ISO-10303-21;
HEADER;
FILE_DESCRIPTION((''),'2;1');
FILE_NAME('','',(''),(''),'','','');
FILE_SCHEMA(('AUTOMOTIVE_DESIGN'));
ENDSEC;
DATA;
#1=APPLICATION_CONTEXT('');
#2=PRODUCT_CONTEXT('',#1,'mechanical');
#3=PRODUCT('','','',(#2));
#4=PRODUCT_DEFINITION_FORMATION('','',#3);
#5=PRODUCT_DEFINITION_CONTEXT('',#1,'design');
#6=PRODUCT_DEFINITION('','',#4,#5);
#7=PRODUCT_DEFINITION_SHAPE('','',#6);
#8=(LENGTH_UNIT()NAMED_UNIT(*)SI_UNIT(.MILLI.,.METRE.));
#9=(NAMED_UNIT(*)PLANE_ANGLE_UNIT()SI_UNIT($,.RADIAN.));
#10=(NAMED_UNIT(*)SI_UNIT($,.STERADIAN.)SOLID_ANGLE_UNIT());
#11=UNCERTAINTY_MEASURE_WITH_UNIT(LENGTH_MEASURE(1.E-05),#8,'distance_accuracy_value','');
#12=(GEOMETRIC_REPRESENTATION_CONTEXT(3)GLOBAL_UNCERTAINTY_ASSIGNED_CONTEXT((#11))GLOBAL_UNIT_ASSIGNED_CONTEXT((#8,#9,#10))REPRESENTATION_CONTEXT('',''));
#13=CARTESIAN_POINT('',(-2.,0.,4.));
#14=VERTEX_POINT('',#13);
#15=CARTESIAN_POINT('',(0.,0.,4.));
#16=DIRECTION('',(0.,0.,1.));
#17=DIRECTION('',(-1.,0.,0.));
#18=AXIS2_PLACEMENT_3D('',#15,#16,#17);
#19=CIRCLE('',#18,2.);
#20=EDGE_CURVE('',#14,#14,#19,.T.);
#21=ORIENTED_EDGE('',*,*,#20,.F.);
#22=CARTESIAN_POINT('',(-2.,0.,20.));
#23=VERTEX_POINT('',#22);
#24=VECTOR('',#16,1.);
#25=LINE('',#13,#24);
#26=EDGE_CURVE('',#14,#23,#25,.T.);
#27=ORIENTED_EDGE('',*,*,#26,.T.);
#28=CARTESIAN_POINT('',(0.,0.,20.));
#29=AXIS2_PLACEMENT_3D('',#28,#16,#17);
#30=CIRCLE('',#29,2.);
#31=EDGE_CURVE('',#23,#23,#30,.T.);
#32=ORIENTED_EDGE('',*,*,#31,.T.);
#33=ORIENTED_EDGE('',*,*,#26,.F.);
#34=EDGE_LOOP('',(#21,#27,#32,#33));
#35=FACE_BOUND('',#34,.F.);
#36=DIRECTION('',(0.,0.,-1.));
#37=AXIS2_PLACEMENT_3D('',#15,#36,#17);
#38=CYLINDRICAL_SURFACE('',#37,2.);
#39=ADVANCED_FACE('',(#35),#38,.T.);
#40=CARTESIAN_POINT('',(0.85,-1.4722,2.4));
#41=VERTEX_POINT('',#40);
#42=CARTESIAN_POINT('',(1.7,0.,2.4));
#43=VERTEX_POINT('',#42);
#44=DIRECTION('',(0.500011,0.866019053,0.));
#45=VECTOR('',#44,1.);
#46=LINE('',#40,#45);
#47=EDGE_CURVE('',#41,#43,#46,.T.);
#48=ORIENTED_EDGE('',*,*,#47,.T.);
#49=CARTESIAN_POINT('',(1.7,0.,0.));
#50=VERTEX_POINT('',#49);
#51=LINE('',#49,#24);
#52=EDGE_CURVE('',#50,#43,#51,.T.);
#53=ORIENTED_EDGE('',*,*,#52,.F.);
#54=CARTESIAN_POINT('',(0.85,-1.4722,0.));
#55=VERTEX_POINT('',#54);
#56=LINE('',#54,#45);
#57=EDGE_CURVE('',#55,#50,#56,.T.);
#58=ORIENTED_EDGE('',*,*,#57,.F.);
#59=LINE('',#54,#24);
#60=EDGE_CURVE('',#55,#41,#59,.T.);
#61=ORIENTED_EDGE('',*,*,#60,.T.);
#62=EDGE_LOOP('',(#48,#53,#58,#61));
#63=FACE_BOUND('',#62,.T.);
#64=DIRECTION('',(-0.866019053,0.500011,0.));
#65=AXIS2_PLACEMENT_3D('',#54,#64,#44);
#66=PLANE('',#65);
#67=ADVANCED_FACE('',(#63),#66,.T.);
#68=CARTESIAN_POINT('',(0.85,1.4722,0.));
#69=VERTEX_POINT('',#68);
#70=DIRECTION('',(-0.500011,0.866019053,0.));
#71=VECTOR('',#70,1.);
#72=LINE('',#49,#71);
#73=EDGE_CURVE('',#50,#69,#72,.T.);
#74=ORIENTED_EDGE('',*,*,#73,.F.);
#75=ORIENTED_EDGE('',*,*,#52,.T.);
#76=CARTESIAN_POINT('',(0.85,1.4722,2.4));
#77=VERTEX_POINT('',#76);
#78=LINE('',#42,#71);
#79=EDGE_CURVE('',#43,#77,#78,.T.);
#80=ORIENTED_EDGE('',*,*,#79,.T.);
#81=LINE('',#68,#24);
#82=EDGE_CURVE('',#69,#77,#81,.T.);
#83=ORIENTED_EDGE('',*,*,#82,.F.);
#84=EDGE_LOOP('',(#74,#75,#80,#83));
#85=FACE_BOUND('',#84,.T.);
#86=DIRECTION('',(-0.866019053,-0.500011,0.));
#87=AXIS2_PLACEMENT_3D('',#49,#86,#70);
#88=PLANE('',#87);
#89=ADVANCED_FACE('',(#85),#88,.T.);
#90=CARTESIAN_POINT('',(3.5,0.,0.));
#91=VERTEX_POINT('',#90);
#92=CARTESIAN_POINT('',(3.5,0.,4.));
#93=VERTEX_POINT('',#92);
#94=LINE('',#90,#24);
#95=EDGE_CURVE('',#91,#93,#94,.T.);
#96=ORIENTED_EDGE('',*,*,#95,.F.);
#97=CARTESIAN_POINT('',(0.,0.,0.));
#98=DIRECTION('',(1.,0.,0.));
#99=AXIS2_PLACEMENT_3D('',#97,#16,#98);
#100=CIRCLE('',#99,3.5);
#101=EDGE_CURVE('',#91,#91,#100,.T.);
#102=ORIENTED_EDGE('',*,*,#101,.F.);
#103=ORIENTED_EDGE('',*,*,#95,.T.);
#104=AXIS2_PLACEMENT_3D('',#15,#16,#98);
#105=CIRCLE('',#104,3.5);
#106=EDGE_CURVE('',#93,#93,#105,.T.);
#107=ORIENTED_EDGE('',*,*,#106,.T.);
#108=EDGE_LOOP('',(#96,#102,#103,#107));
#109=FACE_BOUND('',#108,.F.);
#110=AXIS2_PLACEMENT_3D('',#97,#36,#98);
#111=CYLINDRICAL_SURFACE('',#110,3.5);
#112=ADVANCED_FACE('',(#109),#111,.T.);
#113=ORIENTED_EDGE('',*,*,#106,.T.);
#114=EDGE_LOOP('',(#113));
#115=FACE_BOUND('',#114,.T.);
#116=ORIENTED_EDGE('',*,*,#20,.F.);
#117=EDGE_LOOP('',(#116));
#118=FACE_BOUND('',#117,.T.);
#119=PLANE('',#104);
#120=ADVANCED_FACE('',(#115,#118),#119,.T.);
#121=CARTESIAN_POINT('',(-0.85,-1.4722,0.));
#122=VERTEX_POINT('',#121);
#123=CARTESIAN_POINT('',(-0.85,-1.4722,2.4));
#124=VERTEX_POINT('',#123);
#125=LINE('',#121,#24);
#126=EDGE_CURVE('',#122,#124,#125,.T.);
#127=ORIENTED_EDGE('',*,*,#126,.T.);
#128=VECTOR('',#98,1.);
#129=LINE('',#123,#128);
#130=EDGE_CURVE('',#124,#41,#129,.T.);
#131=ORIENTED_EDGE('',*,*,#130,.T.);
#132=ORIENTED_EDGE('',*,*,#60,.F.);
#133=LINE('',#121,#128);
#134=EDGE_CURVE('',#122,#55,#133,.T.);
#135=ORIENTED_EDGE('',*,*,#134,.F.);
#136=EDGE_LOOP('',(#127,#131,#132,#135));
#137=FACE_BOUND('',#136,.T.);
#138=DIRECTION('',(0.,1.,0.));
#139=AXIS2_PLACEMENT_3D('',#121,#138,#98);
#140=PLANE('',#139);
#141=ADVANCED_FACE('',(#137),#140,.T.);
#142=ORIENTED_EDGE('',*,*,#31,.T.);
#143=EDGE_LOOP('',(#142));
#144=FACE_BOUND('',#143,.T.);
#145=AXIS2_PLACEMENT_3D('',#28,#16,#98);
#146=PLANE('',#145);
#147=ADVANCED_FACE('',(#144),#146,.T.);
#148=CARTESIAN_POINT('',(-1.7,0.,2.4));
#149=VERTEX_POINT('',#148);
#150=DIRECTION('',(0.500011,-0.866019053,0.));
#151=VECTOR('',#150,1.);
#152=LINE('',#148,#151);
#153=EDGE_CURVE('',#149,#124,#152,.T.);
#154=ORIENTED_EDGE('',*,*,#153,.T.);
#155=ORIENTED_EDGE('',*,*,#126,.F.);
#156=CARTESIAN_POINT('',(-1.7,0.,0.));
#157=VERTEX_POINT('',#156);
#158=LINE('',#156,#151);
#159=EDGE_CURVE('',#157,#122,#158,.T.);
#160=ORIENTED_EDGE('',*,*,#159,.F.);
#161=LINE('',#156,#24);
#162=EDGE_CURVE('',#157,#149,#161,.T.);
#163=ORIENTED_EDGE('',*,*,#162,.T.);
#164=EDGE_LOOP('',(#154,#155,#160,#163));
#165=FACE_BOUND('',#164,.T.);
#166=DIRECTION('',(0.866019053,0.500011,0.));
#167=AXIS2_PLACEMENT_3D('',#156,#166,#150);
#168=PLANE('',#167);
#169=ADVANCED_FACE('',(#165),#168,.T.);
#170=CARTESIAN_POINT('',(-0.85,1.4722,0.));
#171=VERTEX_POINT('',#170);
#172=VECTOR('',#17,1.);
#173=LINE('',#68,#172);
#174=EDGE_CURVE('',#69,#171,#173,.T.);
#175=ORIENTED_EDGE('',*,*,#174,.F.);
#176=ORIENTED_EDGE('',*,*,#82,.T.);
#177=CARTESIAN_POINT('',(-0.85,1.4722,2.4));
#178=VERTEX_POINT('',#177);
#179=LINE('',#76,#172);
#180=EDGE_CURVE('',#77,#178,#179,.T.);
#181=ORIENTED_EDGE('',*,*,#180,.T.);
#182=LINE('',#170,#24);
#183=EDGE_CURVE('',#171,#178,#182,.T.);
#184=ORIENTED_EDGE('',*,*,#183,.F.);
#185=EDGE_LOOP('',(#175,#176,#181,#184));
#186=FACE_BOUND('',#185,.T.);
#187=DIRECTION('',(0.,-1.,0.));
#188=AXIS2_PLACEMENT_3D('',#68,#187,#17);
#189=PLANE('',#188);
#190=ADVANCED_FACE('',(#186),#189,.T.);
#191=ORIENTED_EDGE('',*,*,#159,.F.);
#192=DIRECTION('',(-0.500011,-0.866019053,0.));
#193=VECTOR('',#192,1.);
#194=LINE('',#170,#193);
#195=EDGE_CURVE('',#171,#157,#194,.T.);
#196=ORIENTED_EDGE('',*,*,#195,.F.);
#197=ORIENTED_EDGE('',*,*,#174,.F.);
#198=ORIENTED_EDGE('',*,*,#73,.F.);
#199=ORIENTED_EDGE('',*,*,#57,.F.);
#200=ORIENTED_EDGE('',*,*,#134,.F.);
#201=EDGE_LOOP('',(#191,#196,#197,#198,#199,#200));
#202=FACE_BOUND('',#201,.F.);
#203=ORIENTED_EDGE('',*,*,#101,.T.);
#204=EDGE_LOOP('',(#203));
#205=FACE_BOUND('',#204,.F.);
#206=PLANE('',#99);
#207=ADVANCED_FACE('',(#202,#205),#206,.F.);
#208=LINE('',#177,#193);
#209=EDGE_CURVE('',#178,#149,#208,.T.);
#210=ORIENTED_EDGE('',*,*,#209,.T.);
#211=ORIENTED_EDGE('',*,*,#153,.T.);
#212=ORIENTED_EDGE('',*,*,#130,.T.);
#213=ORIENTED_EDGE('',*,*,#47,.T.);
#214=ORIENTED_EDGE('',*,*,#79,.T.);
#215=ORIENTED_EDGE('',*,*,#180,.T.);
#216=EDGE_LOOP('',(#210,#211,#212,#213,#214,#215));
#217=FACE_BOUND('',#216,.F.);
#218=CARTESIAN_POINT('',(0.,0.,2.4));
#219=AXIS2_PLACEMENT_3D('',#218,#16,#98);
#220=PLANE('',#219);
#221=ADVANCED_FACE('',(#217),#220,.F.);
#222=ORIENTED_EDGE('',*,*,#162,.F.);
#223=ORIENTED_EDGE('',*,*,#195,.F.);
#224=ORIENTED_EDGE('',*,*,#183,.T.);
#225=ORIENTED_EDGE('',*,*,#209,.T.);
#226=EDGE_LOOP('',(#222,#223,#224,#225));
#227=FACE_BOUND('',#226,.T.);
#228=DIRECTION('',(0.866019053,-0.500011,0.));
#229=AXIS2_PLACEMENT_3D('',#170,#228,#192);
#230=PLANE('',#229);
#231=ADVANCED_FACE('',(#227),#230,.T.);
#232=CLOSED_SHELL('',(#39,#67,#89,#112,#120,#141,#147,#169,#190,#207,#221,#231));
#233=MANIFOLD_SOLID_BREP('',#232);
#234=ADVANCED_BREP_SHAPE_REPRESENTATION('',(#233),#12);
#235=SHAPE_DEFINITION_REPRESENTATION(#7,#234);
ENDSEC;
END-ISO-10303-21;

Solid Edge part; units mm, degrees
sketch "Sketch1" plane through (0, 0, 0) normal (0, 0, 1) x (1, 0, 0)
  circle A0 centre (0, 0) radius 3.5
extrude "Protrusion1" add sketch "Sketch1" along normal blind 4
sketch "Sketch2" plane through (0, 0, 0) normal (0, 0, -1) x (1, 0, 0)
  line L0 (0.85, 1.4722) -> (1.7, 0)
  line L1 (1.7, 0) -> (0.85, -1.4722)
  line L2 (0.85, -1.4722) -> (-0.85, -1.4722)
  line L3 (-0.85, -1.4722) -> (-1.7, 0)
  line L4 (-1.7, 0) -> (-0.85, 1.4722)
  line L5 (-0.85, 1.4722) -> (0.85, 1.4722)
extrude "ExtrudedCutout_1" cut sketch "Sketch2" against normal blind 2.4
sketch "Sketch3" plane through (0, 0, 4) normal (0, 0, 1) x (-1, 0, 0)
  circle A0 centre (0, 0) radius 2
extrude "ExtrudedProtrusion_2" add sketch "Sketch3" along normal blind 16
cosmetic_thread "Thread1" size "M4"
properties material "Stainless steel"
